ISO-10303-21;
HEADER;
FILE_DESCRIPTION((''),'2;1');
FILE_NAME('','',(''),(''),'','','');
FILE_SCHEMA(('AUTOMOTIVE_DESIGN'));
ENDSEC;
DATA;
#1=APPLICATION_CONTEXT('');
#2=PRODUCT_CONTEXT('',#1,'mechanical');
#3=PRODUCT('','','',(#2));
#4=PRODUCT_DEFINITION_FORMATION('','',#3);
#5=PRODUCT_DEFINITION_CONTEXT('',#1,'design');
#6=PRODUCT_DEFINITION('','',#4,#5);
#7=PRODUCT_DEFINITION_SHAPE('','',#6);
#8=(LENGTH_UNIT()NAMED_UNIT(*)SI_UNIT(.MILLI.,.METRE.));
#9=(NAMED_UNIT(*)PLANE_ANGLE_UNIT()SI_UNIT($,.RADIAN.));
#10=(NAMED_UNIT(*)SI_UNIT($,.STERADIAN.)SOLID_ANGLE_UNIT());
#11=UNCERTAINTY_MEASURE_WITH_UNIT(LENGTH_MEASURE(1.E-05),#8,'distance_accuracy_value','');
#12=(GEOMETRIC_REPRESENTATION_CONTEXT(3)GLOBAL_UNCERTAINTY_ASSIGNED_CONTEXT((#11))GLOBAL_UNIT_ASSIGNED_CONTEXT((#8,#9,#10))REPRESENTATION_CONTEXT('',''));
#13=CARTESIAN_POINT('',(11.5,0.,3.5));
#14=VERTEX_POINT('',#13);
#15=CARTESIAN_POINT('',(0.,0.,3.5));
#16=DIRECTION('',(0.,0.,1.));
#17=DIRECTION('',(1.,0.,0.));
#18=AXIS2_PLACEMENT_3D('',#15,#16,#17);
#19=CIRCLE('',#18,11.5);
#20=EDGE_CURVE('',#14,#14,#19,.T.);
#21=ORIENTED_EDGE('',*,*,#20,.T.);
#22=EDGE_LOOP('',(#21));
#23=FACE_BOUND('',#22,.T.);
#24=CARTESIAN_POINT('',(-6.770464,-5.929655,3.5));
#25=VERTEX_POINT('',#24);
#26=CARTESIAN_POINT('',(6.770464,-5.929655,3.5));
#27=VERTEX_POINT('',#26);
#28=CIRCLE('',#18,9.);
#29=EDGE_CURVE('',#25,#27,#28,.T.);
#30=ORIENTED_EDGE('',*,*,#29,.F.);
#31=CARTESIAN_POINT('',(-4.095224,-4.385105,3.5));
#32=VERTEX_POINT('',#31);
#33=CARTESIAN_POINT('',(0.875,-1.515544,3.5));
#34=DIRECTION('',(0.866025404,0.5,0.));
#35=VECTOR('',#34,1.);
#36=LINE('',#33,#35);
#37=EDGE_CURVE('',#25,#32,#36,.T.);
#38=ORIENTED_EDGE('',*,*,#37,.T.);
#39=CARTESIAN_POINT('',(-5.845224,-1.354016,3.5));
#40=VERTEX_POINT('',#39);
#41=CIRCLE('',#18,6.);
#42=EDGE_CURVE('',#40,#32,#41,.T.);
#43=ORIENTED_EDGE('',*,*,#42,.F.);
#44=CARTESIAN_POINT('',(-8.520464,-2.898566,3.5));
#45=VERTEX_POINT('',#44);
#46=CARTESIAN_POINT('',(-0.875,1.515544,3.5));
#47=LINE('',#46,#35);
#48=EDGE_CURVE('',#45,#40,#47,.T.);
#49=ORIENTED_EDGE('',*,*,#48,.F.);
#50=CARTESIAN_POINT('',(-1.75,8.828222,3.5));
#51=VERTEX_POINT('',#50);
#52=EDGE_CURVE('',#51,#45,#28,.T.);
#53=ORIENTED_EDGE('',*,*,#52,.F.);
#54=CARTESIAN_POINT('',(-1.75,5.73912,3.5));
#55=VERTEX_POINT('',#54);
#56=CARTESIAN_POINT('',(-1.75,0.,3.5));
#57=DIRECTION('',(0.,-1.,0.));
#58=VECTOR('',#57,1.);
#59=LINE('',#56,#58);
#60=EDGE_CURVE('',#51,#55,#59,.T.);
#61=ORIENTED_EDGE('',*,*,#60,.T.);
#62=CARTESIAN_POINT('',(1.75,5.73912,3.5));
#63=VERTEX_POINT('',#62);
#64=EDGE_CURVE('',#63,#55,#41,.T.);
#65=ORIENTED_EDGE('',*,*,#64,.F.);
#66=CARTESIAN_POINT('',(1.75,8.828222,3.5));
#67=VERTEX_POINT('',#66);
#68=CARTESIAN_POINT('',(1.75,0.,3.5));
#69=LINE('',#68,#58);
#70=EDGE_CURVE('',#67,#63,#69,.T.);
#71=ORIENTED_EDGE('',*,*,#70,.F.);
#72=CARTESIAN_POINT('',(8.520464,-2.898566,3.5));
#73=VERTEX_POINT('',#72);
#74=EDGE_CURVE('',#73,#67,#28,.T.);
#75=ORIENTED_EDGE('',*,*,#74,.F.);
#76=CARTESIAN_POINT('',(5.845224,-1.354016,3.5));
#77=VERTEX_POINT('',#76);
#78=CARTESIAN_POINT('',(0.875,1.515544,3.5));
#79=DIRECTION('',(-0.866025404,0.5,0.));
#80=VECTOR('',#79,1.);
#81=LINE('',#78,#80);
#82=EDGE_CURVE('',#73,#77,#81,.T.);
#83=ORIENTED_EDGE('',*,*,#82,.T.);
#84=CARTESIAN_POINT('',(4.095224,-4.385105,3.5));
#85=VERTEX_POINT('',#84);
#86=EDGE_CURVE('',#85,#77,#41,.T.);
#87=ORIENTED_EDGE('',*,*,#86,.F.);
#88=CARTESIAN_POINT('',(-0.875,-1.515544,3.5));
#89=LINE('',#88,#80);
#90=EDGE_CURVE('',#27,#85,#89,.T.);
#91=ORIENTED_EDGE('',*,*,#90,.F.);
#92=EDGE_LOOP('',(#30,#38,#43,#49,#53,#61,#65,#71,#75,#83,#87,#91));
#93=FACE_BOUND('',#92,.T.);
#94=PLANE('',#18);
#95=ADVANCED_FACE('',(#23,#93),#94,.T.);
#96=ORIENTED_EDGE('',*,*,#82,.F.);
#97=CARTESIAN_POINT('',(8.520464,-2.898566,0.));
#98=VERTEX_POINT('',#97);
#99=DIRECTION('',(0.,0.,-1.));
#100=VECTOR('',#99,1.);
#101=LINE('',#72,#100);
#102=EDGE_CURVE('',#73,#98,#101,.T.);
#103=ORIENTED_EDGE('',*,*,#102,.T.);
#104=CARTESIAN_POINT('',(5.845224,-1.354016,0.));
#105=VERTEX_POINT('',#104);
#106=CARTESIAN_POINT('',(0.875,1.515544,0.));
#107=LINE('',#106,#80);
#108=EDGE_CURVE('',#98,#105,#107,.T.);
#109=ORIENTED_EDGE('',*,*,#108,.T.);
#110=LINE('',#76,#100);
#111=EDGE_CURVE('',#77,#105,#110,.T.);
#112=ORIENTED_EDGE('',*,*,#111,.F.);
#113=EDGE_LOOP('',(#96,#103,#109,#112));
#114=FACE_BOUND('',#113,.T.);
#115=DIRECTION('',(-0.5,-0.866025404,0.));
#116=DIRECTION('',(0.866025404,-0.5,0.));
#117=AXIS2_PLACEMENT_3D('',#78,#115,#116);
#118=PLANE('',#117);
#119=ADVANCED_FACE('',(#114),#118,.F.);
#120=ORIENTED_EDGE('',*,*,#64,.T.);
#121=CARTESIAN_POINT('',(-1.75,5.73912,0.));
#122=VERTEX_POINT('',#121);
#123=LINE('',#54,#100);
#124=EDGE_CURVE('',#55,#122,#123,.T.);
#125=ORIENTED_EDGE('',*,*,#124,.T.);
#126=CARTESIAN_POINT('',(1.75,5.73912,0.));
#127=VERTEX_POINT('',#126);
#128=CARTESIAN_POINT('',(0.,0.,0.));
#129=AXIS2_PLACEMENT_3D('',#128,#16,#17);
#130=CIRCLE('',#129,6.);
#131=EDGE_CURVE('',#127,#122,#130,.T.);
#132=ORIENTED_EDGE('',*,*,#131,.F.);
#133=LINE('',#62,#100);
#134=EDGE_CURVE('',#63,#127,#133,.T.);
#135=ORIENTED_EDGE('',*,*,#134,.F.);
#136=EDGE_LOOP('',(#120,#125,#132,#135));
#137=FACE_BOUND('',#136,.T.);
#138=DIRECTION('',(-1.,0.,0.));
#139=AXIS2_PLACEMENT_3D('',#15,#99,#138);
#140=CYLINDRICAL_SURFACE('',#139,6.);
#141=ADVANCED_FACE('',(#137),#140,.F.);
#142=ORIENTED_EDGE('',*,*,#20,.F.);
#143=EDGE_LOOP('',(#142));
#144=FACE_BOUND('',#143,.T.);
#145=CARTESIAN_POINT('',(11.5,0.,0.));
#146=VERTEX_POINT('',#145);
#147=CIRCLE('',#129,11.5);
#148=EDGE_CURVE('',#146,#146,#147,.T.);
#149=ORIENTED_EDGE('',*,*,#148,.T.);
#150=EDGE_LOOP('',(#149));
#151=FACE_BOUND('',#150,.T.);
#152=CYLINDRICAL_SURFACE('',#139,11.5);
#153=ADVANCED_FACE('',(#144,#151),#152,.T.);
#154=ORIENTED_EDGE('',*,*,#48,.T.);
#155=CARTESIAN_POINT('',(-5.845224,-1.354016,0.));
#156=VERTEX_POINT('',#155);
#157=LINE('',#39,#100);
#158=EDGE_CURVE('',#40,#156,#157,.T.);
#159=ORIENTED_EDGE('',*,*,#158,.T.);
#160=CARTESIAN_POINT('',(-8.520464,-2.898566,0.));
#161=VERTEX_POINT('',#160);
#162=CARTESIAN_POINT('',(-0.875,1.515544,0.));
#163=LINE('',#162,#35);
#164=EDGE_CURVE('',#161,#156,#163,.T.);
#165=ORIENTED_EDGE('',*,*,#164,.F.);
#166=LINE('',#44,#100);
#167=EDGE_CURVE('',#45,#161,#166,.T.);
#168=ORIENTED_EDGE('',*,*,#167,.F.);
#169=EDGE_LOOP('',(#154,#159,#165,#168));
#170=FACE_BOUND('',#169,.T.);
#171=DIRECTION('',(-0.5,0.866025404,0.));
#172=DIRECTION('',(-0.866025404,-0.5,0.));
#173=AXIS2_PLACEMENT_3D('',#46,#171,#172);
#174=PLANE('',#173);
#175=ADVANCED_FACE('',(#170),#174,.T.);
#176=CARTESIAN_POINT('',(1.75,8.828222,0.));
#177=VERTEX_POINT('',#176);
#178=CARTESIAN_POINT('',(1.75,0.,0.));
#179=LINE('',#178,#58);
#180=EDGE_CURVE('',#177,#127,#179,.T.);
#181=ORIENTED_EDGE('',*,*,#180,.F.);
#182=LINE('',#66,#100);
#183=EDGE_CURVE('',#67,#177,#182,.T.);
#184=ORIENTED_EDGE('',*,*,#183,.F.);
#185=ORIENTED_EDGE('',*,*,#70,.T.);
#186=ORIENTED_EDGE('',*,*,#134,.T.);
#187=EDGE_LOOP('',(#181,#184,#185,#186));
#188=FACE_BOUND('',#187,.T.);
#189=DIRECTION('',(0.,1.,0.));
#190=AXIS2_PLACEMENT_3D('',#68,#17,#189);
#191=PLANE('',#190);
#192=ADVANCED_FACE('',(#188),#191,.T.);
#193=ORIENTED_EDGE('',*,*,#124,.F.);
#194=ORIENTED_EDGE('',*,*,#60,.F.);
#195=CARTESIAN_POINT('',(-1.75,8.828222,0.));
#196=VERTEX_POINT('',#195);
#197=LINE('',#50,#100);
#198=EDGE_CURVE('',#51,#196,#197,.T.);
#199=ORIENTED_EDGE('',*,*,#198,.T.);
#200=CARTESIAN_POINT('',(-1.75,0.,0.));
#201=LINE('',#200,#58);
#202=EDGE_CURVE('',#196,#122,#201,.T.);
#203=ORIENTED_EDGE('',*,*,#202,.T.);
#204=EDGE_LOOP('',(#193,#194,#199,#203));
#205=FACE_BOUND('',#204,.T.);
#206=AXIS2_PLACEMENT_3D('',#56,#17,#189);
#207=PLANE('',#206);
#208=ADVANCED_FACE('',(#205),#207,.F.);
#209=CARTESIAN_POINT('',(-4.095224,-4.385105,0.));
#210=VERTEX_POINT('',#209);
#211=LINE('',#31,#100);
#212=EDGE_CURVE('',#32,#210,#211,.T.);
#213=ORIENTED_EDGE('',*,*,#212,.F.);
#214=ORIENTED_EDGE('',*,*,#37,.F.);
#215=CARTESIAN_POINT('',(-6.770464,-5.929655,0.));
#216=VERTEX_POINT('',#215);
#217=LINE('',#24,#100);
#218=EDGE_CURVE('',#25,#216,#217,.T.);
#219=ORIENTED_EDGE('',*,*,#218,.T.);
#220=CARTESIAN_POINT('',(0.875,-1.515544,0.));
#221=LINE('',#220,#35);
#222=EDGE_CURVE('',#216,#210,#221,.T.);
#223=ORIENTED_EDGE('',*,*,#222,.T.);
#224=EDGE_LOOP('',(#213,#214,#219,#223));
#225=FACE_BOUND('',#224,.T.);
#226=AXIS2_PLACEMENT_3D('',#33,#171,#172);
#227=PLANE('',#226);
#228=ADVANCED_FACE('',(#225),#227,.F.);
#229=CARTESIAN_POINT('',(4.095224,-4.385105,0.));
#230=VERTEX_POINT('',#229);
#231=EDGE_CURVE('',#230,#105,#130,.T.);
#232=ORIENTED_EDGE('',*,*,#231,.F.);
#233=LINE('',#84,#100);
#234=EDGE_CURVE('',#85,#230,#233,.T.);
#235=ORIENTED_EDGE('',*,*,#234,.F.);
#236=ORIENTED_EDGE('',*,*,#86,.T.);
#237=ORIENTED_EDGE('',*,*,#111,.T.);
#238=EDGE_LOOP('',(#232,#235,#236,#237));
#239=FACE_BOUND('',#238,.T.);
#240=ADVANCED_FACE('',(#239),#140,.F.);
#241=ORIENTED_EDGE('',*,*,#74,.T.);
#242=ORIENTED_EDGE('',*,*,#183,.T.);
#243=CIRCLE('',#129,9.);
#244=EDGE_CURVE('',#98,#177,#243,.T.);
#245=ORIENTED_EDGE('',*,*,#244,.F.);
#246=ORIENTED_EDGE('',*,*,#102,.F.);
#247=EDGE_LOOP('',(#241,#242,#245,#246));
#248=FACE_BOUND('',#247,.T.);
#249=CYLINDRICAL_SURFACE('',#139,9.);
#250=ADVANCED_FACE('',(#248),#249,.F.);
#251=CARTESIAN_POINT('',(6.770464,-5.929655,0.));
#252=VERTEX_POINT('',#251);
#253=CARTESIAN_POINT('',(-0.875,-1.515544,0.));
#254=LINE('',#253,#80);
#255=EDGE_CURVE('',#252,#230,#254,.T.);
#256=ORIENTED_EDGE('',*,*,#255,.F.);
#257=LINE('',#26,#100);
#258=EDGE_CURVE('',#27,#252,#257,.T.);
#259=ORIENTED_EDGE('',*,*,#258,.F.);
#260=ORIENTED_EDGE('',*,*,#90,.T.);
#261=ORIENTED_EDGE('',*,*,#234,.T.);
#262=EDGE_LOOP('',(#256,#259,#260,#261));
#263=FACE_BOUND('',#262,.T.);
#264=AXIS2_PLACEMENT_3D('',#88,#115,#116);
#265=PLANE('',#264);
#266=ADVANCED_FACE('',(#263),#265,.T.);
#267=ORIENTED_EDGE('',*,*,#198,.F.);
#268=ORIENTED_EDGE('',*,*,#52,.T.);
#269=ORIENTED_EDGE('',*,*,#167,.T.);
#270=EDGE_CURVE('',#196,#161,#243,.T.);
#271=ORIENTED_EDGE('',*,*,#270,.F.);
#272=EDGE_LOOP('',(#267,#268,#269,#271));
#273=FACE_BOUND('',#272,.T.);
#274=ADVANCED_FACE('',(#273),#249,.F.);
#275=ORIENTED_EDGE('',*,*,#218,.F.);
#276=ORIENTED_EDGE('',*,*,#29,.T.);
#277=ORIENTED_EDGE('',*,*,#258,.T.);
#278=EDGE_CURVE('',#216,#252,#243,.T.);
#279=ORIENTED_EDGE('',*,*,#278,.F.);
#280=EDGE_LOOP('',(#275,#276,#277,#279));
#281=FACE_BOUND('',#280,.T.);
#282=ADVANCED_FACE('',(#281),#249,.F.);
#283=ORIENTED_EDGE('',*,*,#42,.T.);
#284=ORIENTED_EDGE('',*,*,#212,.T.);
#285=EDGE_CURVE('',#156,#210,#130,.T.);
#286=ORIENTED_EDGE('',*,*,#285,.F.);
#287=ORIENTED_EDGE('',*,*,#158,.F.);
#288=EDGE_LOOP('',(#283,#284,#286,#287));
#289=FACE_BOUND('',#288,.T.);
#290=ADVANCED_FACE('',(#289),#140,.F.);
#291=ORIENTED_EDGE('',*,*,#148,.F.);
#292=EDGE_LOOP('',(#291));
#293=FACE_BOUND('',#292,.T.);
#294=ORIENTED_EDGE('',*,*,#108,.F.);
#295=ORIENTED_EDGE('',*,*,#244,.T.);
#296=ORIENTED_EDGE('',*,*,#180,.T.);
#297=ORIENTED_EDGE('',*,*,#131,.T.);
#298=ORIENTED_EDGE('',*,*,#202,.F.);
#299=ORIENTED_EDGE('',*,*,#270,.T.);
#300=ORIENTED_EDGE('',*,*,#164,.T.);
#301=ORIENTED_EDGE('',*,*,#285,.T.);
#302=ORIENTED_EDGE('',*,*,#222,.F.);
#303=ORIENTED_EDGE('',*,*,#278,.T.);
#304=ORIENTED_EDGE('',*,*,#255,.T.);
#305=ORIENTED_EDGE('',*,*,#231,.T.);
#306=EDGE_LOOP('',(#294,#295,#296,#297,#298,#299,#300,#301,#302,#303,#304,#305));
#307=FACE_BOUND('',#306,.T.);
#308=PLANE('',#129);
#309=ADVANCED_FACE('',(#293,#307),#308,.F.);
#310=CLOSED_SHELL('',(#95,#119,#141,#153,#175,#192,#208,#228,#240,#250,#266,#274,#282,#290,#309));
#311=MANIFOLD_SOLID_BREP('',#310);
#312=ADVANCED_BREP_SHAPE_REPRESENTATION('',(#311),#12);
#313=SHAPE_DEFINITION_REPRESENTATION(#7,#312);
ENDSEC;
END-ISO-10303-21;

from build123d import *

# Parameters (mm, degrees)
SKETCH1_R           = 11.5
SKETCH1_R_2         = 9
BOSS_EXTRUDE1_DEPTH = 3.5


with BuildPart() as part:
    # Sketch1 → Boss-Extrude1 (new body)
    # profile 1 of 4: a face of its own
    with BuildSketch(Plane.XY):
        Circle(SKETCH1_R)
        Circle(SKETCH1_R_2, mode=Mode.SUBTRACT)
    # profile 2 of 4: a face of its own
    with BuildSketch(Plane.XY):
        with BuildLine():
            Line((1.75, 5.739120142), (1.75, 8.828221792))
            ThreePointArc((1.75, 8.828221792), (0, 9), (-1.75, 8.828221792))
            Line((-1.75, 8.828221792), (-1.75, 5.739120142))
            ThreePointArc((-1.75, 5.739120142), (0, 6), (1.75, 5.739120142))
        make_face()
    # profile 3 of 4: a face of its own
    with BuildSketch(Plane.XY):
        with BuildLine():
            ThreePointArc((-8.520464342, -2.898566439), (-7.794228634, -4.5), (-6.770464342, -5.929655352))
            Line((-6.770464342, -5.929655352), (-4.095223838, -4.385104527))
            ThreePointArc((-4.095223838, -4.385104527), (-5.196152423, -3), (-5.845223838, -1.354015614))
            Line((-5.845223838, -1.354015614), (-8.520464342, -2.898566439))
        make_face()
    # profile 4 of 4: a face of its own
    with BuildSketch(Plane.XY):
        with BuildLine():
            ThreePointArc((6.770464342, -5.929655352), (7.794228634, -4.5), (8.520464342, -2.898566439))
            Line((8.520464342, -2.898566439), (5.845223838, -1.354015614))
            ThreePointArc((5.845223838, -1.354015614), (5.196152423, -3), (4.095223838, -4.385104527))
            Line((4.095223838, -4.385104527), (6.770464342, -5.929655352))
        make_face()
    extrude(amount=BOSS_EXTRUDE1_DEPTH)


solid = part.part
